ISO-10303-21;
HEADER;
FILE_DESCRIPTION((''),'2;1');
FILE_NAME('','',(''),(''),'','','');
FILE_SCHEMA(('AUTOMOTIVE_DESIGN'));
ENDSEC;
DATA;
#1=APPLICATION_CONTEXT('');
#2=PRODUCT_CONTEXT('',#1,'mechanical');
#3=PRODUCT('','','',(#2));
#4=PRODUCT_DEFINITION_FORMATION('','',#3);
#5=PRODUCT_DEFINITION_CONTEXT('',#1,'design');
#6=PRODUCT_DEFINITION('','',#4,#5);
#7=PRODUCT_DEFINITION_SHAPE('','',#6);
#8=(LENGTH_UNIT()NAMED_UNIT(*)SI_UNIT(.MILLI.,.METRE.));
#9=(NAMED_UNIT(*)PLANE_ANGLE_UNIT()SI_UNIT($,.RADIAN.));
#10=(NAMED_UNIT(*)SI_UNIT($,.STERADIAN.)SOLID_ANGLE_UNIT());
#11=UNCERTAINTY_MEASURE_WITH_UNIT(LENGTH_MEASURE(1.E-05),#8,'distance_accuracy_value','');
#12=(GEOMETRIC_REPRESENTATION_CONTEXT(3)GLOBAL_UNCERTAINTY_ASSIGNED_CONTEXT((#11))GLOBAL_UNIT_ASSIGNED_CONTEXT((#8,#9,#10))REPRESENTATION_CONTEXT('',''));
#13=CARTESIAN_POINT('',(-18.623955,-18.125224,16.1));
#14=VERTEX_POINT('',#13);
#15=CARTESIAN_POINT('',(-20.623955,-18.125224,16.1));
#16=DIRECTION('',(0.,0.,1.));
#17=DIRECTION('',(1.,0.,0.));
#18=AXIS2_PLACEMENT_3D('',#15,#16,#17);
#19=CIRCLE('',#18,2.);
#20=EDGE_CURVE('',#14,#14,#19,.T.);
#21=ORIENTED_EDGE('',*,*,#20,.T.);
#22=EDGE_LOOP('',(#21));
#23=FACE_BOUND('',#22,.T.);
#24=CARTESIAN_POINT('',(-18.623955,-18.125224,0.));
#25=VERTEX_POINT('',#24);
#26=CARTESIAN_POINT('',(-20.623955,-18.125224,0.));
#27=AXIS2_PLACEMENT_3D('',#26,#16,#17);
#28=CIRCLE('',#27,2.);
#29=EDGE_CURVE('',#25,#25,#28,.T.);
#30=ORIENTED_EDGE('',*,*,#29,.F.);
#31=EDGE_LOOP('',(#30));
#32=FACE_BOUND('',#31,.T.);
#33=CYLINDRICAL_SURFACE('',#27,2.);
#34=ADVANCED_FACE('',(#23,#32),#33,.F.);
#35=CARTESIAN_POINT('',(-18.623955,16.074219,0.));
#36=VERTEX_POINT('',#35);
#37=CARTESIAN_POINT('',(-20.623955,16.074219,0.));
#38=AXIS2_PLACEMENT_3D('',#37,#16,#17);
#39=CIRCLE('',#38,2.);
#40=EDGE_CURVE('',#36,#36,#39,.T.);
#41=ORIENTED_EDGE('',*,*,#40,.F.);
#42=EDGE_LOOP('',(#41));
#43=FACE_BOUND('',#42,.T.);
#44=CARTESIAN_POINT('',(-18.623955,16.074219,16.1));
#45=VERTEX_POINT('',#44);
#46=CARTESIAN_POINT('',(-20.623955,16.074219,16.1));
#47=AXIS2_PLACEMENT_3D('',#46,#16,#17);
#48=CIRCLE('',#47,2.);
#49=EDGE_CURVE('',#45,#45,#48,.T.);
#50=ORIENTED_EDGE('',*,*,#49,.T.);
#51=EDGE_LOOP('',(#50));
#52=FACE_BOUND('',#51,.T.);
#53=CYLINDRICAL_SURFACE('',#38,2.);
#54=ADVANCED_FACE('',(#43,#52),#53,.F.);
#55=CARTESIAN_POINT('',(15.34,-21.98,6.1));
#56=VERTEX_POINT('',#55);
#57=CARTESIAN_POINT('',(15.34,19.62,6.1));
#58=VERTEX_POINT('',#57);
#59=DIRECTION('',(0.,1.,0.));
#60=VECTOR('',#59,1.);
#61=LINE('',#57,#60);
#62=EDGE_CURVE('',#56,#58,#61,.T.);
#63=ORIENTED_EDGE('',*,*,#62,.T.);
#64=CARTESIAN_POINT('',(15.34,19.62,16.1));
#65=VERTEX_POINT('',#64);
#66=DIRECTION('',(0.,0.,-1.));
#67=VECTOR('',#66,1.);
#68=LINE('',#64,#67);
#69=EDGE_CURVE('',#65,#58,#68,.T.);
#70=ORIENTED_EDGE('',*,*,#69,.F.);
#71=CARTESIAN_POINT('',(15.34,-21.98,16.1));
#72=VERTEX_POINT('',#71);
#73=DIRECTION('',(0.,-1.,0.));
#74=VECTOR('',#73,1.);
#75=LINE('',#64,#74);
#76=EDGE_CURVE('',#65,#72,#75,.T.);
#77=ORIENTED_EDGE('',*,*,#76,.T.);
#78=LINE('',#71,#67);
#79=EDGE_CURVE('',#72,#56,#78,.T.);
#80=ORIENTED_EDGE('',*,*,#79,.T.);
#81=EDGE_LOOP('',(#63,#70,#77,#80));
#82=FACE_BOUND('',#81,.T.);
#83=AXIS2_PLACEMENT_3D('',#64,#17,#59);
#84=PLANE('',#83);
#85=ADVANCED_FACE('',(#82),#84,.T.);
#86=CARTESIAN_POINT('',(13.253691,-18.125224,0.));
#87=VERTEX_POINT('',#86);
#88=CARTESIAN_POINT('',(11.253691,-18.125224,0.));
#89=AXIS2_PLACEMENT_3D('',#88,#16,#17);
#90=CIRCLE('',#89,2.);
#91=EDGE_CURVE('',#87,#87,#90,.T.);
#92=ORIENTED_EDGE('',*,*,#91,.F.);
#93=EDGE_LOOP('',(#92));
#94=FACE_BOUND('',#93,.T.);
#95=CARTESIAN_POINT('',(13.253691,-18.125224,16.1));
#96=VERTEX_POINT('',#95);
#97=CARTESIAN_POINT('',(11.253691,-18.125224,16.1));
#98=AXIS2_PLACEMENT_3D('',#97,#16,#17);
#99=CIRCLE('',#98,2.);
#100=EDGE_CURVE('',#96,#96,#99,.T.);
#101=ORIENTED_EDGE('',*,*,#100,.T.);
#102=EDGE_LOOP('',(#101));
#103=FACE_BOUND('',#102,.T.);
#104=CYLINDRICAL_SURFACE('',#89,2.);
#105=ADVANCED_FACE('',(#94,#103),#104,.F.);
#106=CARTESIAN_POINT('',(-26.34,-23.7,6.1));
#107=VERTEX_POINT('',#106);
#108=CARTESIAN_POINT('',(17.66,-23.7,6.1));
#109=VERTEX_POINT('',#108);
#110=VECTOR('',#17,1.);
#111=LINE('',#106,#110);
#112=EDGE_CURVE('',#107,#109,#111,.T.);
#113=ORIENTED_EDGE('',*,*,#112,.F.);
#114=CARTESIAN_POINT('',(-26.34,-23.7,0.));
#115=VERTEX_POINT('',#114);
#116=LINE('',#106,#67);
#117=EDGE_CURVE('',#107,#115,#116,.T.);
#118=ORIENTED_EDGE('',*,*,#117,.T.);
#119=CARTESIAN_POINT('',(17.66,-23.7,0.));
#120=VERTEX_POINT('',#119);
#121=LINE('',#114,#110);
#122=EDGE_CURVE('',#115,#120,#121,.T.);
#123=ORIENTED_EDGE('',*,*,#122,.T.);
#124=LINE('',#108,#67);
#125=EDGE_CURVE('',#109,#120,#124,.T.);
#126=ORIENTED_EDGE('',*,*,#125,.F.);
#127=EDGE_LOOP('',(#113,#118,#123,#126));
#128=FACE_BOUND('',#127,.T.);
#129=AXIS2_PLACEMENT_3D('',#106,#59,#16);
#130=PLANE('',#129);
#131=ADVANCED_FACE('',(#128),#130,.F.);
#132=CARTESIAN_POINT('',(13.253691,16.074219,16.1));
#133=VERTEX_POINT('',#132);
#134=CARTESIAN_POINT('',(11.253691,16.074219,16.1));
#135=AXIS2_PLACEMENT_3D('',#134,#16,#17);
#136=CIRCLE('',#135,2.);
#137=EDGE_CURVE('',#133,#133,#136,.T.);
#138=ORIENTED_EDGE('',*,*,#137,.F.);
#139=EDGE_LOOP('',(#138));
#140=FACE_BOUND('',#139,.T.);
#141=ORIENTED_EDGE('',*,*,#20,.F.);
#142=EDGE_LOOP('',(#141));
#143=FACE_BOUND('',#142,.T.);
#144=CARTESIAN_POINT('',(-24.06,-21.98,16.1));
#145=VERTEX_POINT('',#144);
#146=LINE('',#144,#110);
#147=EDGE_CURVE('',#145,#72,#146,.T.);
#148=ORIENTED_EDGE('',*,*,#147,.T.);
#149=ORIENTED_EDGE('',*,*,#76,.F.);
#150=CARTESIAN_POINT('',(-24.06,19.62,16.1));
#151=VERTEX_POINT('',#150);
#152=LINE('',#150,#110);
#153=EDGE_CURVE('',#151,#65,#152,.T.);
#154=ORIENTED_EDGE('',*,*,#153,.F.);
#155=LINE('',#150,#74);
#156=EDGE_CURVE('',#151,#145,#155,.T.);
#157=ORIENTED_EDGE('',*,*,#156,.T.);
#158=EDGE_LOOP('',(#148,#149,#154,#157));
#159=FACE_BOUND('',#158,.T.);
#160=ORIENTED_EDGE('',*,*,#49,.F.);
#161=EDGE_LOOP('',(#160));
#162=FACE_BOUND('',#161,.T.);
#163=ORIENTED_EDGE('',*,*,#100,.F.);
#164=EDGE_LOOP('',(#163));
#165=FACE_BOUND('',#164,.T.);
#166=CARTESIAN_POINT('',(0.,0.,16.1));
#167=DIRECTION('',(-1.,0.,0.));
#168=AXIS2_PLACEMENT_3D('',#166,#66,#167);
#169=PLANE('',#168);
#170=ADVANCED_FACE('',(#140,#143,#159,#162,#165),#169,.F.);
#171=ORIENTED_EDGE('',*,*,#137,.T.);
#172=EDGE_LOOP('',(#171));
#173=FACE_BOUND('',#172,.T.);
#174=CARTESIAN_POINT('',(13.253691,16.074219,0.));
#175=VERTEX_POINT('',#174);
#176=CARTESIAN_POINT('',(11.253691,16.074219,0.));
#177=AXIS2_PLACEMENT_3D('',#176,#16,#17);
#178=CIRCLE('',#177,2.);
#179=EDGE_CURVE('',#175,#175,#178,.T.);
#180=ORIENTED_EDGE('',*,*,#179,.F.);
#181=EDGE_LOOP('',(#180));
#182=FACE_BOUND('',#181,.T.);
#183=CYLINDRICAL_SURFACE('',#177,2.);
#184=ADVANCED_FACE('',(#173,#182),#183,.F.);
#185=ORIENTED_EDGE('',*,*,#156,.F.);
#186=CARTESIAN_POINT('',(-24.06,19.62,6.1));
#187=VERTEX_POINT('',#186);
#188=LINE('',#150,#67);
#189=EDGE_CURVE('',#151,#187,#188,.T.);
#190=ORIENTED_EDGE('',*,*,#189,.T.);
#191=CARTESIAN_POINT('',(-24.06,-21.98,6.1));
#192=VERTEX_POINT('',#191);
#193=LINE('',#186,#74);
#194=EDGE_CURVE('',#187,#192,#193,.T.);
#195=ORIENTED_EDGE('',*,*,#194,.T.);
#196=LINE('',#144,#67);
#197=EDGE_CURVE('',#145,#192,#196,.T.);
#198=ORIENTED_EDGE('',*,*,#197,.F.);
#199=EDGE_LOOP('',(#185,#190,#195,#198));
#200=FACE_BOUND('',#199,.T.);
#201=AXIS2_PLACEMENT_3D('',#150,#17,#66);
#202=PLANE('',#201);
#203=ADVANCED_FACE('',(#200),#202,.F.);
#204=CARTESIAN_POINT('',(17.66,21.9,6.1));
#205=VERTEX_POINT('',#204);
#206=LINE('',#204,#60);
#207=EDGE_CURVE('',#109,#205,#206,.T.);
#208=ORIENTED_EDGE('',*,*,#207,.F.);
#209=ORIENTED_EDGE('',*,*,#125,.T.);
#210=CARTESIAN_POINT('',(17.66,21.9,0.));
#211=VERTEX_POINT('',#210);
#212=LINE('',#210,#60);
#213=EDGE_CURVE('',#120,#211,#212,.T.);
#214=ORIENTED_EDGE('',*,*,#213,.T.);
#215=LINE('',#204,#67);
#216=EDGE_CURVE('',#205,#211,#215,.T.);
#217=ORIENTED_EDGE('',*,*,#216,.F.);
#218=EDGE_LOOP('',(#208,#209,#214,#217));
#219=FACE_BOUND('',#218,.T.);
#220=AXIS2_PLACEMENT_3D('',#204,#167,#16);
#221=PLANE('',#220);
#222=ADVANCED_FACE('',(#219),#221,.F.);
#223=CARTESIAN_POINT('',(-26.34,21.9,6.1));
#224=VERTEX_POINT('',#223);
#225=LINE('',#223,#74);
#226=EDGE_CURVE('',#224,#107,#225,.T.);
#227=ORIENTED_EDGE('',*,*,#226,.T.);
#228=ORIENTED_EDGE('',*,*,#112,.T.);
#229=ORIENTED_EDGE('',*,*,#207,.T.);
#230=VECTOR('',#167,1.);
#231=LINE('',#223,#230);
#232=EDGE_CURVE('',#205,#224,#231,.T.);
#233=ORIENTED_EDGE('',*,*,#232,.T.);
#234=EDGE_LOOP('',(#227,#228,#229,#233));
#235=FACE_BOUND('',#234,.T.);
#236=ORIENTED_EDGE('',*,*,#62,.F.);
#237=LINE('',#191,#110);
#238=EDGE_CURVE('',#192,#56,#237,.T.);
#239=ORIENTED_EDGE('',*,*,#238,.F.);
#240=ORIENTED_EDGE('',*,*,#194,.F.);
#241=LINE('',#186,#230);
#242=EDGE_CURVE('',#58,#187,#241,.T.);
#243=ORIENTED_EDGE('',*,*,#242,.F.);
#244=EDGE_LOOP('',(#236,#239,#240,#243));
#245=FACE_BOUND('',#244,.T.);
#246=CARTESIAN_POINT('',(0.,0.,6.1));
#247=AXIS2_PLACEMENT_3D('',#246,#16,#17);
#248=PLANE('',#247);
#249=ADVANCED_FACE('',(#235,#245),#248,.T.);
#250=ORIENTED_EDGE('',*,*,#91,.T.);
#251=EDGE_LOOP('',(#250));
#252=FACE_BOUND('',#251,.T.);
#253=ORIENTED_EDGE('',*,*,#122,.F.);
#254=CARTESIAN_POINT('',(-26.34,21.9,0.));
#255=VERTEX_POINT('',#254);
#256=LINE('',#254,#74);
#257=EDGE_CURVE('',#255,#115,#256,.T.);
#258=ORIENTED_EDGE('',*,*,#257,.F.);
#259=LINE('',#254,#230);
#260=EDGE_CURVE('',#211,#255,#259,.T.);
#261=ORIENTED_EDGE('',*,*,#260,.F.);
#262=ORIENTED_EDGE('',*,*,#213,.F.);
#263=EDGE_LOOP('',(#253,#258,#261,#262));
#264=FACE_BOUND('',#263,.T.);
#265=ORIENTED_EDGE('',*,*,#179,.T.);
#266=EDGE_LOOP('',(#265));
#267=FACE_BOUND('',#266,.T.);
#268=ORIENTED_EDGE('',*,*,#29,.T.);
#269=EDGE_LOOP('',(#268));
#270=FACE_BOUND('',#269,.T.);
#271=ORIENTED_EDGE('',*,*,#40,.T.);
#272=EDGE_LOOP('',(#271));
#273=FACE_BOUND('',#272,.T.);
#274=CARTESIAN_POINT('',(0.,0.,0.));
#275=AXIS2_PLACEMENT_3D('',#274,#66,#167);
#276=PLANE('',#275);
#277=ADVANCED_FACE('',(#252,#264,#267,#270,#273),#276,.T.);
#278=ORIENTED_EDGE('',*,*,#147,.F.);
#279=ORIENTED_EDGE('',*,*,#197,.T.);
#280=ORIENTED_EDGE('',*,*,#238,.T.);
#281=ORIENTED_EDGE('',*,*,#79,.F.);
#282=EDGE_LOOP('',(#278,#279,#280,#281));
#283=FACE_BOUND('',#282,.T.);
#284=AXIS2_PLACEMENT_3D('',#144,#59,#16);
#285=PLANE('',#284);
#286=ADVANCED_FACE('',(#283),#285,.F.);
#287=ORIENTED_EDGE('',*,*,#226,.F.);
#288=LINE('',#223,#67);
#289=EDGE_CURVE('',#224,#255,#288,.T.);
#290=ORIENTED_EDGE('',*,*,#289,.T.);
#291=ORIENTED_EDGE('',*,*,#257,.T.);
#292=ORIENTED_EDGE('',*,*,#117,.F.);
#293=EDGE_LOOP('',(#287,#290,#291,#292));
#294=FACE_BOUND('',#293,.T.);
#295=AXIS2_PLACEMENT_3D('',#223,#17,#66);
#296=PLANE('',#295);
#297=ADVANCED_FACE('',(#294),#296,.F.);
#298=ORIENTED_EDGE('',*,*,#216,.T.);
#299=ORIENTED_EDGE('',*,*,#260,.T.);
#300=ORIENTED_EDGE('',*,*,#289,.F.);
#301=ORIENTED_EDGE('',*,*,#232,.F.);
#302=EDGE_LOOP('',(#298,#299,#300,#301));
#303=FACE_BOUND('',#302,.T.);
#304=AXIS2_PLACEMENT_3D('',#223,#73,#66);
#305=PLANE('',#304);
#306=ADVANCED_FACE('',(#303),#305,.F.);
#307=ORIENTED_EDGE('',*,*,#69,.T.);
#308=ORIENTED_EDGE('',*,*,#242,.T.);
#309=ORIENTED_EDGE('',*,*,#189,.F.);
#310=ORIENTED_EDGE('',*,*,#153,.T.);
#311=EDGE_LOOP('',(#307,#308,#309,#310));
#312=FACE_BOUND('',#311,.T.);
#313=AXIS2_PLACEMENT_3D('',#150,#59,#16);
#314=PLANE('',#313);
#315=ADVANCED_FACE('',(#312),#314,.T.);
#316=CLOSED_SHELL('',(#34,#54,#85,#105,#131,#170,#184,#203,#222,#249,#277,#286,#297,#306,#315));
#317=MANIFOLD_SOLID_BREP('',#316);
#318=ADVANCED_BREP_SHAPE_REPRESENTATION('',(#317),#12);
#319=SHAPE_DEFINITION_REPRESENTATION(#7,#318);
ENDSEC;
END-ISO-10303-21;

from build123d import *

# Parameters (mm, degrees)
SKETCH1_W           = 39.4
SKETCH1_H           = 41.6
BOSS_EXTRUDE1_DEPTH = 16.1
SKETCH1_3_W         = 44
SKETCH1_3_H         = 45.6
SKETCH1_3_W_2       = 39.4
SKETCH1_3_H_2       = 41.6
BOSS_EXTRUDE2_DEPTH = 6.1
SKETCH2_R           = 2
CUT_EXTRUDE1_DEPTH  = 17.1


with BuildPart() as part:
    # Sketch1 → Boss-Extrude1 (new body)
    with BuildSketch(Plane.XY):
        with Locations((-4.36, -1.18)):
            Rectangle(SKETCH1_W, SKETCH1_H)
    extrude(amount=BOSS_EXTRUDE1_DEPTH)

    # Sketch1<3> → Boss-Extrude2 (add)
    with BuildSketch(Plane.XY):
        with Locations((-4.34, -0.9)):
            Rectangle(SKETCH1_3_W, SKETCH1_3_H)
        with Locations((-4.36, -1.18)):
            Rectangle(SKETCH1_3_W_2, SKETCH1_3_H_2, mode=Mode.SUBTRACT)
    extrude(amount=BOSS_EXTRUDE2_DEPTH)

    # Sketch2 → Cut-Extrude1 (cut, through all)
    with BuildSketch(Plane.XY.offset(16.1)):
        with Locations((-20.623955183, -18.125224269)):
            Circle(SKETCH2_R)
        with Locations((-20.623955183, 16.074219179)):
            Circle(SKETCH2_R)
        with Locations((11.253691187, 16.074219179)):
            Circle(SKETCH2_R)
        with Locations((11.253691187, -18.125224269)):
            Circle(SKETCH2_R)
    extrude(amount=-CUT_EXTRUDE1_DEPTH, mode=Mode.SUBTRACT)


solid = part.part
